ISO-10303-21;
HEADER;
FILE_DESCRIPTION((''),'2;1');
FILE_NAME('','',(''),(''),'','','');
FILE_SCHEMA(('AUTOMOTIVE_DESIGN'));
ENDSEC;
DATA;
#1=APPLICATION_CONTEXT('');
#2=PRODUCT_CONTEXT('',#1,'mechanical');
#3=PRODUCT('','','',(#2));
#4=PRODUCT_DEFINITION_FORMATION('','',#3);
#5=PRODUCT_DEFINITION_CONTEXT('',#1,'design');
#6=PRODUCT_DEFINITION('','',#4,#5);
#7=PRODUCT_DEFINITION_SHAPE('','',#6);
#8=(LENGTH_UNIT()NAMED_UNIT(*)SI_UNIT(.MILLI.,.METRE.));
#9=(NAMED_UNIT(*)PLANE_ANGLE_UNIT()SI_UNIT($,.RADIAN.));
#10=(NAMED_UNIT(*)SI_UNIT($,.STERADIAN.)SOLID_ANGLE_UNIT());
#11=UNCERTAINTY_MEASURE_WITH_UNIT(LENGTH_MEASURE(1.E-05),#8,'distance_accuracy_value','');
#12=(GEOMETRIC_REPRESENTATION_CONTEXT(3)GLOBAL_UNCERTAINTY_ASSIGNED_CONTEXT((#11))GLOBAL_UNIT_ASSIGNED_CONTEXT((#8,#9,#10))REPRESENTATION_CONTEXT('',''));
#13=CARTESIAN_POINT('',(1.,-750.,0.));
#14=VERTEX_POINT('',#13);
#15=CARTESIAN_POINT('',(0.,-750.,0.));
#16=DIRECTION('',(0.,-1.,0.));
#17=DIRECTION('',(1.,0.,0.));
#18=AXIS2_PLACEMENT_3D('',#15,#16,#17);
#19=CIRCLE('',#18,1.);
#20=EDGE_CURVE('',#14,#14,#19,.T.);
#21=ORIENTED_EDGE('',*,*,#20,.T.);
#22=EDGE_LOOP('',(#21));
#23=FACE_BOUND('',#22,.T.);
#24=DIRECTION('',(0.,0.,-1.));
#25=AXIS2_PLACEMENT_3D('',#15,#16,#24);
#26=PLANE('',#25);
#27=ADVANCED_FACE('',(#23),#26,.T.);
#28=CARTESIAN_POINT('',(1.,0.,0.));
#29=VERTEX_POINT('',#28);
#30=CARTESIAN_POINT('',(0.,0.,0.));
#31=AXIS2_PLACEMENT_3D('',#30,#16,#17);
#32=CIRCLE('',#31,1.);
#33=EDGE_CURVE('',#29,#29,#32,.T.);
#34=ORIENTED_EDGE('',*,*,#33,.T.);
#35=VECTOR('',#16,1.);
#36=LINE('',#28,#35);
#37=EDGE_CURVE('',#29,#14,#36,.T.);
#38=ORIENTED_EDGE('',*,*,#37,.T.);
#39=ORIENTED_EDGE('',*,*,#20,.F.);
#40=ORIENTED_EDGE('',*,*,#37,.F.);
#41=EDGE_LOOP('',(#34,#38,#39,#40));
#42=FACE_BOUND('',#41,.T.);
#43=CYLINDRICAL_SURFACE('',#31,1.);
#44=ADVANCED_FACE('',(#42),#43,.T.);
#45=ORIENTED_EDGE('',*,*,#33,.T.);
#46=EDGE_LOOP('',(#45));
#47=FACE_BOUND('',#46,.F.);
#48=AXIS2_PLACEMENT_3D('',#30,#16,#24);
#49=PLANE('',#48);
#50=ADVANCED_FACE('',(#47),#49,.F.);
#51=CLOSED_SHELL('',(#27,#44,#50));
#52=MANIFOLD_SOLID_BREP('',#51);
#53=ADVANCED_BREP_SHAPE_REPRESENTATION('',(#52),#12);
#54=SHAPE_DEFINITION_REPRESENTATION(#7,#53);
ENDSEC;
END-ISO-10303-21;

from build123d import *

# Parameters (mm, degrees)
F0_R = 1


with BuildPart() as f2:
    # F2: sweep along a path in F1
    with BuildLine(Plane.YZ) as f2_path:
        Line((0, 0), (-750, 0))
    # F0 (on Front) → F2 (sweep)
    with BuildSketch(Plane.XZ):
        Circle(F0_R)
    sweep(path=f2_path.line)


solid = f2.part
